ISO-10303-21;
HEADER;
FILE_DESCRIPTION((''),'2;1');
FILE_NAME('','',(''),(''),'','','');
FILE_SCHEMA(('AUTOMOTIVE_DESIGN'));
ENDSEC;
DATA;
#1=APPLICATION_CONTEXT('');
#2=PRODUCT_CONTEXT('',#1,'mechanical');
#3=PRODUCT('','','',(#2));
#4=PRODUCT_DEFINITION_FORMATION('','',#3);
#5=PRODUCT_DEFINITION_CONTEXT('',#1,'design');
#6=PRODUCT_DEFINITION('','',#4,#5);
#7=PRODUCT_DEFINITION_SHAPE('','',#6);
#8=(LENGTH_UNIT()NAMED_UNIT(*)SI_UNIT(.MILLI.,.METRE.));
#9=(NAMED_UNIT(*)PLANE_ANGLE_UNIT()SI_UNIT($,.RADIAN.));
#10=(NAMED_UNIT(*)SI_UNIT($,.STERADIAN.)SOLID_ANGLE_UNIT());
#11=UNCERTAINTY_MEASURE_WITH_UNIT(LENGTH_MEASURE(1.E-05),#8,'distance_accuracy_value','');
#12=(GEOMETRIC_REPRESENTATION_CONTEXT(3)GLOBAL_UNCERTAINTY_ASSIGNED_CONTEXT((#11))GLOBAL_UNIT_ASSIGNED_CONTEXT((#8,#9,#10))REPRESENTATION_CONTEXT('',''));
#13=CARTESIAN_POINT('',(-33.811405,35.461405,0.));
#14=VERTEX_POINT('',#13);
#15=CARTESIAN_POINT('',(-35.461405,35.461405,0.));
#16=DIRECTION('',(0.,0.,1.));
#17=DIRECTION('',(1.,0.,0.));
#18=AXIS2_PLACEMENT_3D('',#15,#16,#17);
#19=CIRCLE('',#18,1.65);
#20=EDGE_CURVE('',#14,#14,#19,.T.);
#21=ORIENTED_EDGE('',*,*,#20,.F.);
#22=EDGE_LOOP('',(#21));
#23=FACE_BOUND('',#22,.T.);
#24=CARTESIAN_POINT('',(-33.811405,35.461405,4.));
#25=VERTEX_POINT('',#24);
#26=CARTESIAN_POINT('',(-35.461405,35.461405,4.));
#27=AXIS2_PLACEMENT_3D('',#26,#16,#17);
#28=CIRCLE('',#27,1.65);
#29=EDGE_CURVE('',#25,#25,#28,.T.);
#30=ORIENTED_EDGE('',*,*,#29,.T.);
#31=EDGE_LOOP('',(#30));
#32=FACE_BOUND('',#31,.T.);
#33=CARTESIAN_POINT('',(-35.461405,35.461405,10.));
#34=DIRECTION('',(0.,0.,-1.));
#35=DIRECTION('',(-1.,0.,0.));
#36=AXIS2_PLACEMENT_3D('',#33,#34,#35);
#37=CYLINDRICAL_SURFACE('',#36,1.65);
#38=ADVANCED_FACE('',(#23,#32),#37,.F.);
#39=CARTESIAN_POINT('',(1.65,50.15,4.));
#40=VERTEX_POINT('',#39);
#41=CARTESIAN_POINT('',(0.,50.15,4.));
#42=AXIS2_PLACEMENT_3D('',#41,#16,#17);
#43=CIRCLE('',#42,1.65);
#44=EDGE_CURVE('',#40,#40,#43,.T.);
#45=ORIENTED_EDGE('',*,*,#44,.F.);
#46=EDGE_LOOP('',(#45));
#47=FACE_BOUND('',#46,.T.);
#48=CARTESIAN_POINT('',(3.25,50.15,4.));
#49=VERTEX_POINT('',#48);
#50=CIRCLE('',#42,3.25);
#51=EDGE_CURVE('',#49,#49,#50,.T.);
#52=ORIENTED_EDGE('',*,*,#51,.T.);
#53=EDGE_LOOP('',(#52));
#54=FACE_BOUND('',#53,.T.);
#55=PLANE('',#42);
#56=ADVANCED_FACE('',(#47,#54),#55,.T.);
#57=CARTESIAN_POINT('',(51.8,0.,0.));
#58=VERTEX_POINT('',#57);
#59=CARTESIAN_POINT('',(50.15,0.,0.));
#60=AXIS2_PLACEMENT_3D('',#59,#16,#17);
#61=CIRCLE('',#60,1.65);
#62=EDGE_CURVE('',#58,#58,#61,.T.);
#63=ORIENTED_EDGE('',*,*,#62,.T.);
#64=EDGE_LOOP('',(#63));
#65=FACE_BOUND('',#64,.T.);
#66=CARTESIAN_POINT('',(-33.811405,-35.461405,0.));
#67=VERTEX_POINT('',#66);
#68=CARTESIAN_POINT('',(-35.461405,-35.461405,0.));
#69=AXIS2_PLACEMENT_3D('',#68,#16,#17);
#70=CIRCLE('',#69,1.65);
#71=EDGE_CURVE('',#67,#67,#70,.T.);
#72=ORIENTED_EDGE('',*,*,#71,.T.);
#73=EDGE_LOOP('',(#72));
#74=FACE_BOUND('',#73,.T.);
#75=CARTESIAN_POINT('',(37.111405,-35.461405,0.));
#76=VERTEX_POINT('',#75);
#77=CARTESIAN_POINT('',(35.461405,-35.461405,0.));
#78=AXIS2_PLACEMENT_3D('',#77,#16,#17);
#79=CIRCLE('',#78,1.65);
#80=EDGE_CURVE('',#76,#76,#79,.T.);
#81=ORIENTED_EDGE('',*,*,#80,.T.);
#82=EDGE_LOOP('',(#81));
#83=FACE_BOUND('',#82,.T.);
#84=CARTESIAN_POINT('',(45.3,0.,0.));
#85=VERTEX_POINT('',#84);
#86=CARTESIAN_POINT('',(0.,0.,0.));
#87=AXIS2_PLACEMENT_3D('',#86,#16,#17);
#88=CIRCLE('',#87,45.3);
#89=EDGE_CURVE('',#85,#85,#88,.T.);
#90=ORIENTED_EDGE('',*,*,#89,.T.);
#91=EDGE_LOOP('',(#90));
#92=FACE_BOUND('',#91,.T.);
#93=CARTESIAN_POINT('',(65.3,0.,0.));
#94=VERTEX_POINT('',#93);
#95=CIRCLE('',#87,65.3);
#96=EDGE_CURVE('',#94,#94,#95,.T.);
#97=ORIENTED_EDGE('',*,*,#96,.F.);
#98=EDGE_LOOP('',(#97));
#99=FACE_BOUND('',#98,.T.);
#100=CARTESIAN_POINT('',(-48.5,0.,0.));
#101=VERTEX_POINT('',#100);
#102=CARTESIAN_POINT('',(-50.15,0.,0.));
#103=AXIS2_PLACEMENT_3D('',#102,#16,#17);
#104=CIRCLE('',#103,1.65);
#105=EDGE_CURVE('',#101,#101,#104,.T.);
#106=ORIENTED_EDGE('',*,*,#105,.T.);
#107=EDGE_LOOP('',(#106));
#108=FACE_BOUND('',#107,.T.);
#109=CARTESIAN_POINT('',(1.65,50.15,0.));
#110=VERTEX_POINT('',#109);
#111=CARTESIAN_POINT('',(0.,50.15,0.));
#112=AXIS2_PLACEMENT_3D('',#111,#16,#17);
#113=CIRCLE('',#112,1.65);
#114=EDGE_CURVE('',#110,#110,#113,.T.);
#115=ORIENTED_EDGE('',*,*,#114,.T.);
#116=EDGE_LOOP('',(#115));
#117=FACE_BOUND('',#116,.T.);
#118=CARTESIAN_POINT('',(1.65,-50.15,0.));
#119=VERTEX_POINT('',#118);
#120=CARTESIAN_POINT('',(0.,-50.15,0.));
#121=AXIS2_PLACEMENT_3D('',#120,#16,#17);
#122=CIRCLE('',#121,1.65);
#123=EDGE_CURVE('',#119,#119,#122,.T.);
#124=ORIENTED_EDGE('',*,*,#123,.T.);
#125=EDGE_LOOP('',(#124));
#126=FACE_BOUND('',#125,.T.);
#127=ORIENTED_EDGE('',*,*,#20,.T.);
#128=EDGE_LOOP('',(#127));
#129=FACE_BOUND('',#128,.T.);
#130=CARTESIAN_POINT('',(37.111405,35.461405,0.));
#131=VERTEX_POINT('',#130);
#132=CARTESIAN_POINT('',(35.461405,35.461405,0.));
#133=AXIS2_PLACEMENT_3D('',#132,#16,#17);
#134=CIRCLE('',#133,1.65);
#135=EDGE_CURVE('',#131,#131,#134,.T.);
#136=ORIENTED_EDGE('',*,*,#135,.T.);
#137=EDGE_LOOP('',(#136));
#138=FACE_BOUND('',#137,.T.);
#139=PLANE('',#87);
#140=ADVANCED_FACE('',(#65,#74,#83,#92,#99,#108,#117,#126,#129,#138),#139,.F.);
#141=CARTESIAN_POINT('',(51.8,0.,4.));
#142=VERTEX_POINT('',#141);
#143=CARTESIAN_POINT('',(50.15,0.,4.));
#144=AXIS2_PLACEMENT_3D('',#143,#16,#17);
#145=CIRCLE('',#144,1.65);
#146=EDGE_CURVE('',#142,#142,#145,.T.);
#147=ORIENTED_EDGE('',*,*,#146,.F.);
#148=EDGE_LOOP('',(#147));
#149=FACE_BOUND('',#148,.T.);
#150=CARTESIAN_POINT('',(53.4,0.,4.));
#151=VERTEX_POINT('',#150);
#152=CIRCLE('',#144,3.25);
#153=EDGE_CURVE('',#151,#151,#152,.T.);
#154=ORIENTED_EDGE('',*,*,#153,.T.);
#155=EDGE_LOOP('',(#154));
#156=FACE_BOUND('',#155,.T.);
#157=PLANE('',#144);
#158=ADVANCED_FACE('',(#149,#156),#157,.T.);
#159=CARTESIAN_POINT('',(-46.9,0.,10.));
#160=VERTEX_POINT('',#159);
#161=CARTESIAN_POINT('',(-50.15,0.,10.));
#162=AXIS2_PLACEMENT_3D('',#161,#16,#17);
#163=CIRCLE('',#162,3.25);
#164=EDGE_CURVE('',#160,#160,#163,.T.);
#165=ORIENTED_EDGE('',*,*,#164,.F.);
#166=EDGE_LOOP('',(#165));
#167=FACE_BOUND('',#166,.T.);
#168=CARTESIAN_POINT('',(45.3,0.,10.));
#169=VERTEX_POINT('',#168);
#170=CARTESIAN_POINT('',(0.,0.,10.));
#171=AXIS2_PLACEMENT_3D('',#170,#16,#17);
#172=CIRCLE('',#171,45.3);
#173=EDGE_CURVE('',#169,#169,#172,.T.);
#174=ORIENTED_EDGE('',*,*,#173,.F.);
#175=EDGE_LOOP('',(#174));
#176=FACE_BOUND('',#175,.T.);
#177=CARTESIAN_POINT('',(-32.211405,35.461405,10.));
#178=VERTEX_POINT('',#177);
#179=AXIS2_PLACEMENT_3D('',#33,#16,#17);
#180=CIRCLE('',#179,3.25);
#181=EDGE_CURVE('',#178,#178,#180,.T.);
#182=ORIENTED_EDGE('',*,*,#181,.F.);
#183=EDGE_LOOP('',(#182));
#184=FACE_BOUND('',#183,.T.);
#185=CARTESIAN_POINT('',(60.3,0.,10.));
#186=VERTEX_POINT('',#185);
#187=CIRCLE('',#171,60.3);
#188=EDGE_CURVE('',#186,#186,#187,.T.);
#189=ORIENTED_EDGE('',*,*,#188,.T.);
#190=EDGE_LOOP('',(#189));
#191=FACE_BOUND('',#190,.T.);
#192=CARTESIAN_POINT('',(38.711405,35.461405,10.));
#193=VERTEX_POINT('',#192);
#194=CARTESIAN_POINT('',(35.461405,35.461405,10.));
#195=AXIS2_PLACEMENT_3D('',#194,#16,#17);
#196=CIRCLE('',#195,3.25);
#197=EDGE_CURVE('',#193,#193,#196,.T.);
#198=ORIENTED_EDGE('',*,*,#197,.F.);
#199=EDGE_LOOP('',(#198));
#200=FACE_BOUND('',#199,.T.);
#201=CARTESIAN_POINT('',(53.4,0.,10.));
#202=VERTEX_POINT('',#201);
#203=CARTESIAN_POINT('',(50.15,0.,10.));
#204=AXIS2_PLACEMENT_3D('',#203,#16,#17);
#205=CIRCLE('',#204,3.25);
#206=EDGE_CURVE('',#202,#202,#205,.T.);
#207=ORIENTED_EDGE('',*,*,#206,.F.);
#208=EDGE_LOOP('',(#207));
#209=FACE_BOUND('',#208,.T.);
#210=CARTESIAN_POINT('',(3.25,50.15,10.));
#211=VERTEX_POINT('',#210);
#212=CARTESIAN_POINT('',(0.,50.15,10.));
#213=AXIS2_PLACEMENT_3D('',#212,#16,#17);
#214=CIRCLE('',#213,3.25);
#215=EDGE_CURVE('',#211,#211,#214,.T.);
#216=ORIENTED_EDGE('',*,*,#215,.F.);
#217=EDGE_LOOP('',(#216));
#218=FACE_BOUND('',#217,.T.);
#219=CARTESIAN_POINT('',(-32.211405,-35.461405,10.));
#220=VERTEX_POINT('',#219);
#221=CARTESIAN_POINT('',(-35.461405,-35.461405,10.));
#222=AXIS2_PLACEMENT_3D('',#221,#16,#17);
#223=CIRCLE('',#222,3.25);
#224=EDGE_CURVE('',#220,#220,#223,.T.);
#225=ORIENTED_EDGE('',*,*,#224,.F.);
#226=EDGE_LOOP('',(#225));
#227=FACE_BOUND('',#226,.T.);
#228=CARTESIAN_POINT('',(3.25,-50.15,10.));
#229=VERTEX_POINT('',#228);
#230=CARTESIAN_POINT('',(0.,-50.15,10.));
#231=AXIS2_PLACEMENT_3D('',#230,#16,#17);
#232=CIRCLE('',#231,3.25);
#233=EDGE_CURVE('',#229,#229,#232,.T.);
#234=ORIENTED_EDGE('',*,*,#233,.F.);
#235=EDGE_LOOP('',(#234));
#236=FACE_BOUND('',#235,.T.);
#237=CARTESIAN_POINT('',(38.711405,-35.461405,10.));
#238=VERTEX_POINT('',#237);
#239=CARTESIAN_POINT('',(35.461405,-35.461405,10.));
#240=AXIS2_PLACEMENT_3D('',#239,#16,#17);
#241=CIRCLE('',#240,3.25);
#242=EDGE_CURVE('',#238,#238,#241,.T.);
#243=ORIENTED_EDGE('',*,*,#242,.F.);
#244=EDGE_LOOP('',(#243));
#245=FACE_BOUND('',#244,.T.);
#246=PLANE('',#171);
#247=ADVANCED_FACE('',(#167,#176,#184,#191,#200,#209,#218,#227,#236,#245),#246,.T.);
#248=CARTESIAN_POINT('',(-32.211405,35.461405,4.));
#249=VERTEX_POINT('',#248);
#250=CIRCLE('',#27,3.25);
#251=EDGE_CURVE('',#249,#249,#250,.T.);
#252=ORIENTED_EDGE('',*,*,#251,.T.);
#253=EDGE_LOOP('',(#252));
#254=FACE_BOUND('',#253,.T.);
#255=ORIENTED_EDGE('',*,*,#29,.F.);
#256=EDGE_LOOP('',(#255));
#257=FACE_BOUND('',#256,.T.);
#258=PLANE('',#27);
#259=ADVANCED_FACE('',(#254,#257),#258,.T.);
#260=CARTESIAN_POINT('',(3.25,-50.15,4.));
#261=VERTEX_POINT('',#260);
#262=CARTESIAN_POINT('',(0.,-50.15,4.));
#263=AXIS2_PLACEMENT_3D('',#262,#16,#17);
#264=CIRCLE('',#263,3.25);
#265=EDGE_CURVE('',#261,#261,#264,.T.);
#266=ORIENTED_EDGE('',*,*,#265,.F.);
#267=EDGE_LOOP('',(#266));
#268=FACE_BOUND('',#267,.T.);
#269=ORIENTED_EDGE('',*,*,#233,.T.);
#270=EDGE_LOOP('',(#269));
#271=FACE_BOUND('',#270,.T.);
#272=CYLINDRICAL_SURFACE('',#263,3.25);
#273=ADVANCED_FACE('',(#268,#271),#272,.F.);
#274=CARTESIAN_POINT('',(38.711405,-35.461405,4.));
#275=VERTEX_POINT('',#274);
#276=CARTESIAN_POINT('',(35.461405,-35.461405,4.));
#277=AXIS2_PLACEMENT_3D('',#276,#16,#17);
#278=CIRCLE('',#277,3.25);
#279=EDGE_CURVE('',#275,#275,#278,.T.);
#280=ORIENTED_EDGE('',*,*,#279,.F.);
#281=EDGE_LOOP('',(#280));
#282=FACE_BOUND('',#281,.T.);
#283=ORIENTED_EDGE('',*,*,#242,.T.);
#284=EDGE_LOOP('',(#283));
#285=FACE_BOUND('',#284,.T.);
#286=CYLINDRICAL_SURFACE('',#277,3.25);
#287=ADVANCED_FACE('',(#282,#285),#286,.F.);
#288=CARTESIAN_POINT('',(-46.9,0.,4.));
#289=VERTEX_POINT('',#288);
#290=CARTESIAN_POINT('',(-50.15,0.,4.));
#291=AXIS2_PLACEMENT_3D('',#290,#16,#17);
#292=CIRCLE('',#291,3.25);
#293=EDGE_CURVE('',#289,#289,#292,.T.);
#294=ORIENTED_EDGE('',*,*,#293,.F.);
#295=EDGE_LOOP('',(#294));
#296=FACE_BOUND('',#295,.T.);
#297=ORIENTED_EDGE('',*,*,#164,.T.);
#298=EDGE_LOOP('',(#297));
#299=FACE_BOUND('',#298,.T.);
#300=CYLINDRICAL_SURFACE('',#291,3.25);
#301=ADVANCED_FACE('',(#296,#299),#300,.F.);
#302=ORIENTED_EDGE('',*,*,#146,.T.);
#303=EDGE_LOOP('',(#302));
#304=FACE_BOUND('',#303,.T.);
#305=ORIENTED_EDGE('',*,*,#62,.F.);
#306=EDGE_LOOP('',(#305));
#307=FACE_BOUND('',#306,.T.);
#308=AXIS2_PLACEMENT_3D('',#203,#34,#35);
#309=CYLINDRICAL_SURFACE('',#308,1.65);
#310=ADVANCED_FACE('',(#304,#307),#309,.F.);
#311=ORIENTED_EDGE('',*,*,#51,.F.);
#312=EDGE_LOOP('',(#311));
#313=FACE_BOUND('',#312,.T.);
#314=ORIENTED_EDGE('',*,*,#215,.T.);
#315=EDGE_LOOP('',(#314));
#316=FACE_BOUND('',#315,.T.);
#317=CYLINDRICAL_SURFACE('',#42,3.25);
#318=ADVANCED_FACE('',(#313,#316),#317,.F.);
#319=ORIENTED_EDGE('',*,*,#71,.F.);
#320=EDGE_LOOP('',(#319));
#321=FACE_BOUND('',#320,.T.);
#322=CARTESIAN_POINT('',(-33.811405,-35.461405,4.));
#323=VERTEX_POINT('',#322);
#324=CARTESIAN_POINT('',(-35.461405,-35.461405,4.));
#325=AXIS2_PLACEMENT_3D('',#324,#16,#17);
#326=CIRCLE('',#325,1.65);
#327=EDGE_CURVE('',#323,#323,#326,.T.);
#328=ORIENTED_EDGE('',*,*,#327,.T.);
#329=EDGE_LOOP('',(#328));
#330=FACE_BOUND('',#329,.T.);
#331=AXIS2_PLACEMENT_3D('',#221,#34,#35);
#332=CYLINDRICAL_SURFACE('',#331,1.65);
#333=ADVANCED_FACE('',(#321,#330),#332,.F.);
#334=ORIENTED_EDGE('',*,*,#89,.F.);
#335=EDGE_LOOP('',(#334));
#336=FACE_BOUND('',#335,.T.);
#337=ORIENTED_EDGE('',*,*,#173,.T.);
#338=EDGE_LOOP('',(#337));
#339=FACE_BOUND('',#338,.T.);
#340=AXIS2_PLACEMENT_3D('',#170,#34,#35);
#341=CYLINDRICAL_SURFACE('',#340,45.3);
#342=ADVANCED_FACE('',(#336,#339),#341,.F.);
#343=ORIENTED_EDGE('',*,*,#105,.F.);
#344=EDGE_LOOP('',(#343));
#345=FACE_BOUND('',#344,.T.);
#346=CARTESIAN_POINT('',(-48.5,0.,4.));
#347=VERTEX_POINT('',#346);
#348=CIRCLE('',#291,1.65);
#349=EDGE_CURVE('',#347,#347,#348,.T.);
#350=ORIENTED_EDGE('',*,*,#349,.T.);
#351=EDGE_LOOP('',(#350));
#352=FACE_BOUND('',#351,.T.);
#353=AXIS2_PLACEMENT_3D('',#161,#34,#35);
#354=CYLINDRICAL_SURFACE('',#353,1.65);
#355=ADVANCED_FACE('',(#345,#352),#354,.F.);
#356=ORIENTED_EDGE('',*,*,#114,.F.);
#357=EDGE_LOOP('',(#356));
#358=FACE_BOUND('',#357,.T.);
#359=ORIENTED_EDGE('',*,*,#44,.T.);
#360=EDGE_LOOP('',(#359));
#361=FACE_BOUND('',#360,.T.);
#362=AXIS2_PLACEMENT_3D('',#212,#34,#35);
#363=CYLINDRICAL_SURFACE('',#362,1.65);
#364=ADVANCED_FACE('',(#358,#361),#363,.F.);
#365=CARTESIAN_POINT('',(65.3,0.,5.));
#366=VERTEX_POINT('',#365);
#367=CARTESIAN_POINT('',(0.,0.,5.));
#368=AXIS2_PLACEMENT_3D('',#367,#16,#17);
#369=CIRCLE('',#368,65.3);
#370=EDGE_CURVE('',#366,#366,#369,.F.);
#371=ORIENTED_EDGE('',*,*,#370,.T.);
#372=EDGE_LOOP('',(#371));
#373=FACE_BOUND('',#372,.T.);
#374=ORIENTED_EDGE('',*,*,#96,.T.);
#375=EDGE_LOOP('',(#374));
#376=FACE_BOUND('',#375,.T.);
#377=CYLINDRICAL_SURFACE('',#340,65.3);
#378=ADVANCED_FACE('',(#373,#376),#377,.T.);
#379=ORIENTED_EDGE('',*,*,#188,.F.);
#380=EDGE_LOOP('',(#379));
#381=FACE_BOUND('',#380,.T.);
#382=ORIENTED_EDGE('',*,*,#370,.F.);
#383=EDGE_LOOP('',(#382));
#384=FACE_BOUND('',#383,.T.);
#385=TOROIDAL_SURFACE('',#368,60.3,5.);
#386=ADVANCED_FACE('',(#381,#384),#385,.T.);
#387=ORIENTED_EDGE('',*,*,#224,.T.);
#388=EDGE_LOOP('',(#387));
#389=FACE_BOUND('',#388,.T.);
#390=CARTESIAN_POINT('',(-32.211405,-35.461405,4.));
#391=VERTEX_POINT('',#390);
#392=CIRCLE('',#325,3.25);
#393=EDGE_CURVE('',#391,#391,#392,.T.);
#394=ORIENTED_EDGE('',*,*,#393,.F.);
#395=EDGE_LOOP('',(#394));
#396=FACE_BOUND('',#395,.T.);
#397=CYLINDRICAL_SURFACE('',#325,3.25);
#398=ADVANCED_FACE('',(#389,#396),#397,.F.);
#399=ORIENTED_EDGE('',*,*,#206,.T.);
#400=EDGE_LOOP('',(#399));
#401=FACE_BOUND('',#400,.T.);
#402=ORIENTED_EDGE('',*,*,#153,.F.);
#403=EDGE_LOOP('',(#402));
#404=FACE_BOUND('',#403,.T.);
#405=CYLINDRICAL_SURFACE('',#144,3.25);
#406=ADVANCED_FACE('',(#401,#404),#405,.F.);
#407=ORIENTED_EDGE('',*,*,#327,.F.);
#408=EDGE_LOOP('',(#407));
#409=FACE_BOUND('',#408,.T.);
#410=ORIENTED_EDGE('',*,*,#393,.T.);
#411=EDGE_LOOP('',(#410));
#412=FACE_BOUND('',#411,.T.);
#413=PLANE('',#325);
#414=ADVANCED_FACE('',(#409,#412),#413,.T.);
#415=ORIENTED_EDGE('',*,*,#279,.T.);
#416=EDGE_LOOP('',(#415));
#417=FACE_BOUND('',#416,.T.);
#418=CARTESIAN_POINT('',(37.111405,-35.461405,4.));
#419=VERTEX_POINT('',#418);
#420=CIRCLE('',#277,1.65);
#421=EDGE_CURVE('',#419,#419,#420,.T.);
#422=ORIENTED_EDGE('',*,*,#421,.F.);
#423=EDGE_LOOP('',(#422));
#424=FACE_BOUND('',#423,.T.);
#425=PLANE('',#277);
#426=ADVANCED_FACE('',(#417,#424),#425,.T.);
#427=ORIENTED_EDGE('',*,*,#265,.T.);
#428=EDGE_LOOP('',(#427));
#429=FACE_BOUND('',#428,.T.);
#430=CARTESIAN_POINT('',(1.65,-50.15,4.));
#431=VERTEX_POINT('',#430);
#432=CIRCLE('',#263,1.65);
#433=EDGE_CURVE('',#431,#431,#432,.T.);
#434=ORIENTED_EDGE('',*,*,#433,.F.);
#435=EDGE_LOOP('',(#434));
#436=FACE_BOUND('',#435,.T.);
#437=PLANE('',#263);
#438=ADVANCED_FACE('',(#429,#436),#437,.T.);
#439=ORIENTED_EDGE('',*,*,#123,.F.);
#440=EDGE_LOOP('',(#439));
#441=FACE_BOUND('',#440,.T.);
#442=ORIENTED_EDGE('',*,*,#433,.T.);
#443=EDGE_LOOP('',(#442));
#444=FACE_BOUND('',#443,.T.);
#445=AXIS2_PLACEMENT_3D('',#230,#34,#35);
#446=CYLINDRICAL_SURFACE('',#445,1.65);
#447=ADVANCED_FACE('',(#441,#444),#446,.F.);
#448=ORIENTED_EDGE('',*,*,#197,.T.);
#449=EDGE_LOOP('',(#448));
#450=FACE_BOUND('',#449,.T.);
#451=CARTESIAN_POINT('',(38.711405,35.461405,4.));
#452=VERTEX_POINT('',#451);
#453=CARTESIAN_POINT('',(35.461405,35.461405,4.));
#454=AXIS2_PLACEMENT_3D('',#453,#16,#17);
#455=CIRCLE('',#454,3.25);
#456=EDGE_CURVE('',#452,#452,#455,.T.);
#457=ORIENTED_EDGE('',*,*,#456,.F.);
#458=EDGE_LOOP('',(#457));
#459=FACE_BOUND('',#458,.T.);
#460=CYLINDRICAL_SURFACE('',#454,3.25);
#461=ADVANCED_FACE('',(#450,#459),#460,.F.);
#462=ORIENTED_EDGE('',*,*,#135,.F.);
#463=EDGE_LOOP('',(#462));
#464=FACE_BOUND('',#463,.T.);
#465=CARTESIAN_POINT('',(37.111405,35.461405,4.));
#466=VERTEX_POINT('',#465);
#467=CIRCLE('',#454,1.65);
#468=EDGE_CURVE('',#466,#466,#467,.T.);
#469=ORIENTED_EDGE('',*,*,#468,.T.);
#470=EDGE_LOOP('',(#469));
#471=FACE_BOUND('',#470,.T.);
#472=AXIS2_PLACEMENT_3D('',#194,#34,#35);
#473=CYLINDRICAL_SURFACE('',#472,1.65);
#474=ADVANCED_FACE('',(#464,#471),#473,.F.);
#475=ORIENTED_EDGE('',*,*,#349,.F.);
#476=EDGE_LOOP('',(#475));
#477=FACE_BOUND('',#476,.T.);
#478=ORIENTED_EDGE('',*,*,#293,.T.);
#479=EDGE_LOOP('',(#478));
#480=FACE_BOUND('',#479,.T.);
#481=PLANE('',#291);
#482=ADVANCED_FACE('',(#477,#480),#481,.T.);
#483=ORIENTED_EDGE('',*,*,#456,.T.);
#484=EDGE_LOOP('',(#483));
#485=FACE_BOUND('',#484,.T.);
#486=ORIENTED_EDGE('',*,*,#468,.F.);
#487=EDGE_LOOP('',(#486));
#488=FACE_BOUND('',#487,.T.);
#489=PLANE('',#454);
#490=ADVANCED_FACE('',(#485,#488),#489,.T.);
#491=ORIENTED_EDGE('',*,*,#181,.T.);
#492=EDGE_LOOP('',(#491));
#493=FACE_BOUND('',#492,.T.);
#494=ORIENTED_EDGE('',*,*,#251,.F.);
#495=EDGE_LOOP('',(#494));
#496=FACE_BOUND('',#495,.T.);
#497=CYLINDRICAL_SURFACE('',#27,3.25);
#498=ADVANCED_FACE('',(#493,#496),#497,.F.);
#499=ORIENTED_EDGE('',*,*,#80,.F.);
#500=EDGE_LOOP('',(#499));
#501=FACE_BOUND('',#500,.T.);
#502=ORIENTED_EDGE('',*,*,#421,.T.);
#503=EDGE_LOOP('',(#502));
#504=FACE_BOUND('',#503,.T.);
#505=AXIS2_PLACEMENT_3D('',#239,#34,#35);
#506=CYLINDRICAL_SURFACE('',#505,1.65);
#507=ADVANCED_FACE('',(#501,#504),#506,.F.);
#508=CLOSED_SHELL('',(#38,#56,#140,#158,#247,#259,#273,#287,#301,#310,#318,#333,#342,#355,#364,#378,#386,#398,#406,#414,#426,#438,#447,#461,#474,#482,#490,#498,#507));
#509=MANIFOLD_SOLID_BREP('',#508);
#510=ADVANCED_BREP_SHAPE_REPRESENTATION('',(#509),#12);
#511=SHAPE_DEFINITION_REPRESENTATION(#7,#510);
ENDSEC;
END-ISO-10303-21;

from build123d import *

# Parameters (mm, degrees)
SKETCH1_R           = 65.3
SKETCH1_R_2         = 45.3
SKETCH1_R_3         = 1.65
BOSS_EXTRUDE1_DEPTH = 10
FILLET1_R           = 5
SKETCH2_R           = 3.25
CUT_EXTRUDE1_DEPTH  = 6


with BuildPart() as part:
    # Sketch1 → Boss-Extrude1 (new body)
    with BuildSketch(Plane.XY):
        Circle(SKETCH1_R)
        Circle(SKETCH1_R_2, mode=Mode.SUBTRACT)
        with Locations((35.461405077, -35.461405077)):
            Circle(SKETCH1_R_3, mode=Mode.SUBTRACT)
        with Locations((0, -50.15)):
            Circle(SKETCH1_R_3, mode=Mode.SUBTRACT)
        with Locations((-35.461405077, -35.461405077)):
            Circle(SKETCH1_R_3, mode=Mode.SUBTRACT)
        with Locations((-50.15, 0)):
            Circle(SKETCH1_R_3, mode=Mode.SUBTRACT)
        with Locations((-35.461405077, 35.461405077)):
            Circle(SKETCH1_R_3, mode=Mode.SUBTRACT)
        with Locations((0, 50.15)):
            Circle(SKETCH1_R_3, mode=Mode.SUBTRACT)
        with Locations((35.461405077, 35.461405077)):
            Circle(SKETCH1_R_3, mode=Mode.SUBTRACT)
        with Locations((50.15, 0)):
            Circle(SKETCH1_R_3, mode=Mode.SUBTRACT)
    extrude(amount=BOSS_EXTRUDE1_DEPTH)

    # Fillet1
    fillet1_edges = [part.edges().sort_by_distance(p)[0] for p in [
        (-65.3, 0, 10),
    ]]
    fillet(fillet1_edges, radius=FILLET1_R)

    # Sketch2 → Cut-Extrude1 (cut)
    with BuildSketch(Plane.XY.offset(10)):
        with Locations((-50.15, 0)):
            Circle(SKETCH2_R)
        with Locations((-35.461405077, -35.461405077)):
            Circle(SKETCH2_R)
        with Locations((-35.461405077, 35.461405077)):
            Circle(SKETCH2_R)
        with Locations((0, 50.15)):
            Circle(SKETCH2_R)
        with Locations((35.461405077, 35.461405077)):
            Circle(SKETCH2_R)
        with Locations((50.15, 0)):
            Circle(SKETCH2_R)
        with Locations((35.461405077, -35.461405077)):
            Circle(SKETCH2_R)
        with Locations((0, -50.15)):
            Circle(SKETCH2_R)
    extrude(amount=-CUT_EXTRUDE1_DEPTH, mode=Mode.SUBTRACT)


solid = part.part
